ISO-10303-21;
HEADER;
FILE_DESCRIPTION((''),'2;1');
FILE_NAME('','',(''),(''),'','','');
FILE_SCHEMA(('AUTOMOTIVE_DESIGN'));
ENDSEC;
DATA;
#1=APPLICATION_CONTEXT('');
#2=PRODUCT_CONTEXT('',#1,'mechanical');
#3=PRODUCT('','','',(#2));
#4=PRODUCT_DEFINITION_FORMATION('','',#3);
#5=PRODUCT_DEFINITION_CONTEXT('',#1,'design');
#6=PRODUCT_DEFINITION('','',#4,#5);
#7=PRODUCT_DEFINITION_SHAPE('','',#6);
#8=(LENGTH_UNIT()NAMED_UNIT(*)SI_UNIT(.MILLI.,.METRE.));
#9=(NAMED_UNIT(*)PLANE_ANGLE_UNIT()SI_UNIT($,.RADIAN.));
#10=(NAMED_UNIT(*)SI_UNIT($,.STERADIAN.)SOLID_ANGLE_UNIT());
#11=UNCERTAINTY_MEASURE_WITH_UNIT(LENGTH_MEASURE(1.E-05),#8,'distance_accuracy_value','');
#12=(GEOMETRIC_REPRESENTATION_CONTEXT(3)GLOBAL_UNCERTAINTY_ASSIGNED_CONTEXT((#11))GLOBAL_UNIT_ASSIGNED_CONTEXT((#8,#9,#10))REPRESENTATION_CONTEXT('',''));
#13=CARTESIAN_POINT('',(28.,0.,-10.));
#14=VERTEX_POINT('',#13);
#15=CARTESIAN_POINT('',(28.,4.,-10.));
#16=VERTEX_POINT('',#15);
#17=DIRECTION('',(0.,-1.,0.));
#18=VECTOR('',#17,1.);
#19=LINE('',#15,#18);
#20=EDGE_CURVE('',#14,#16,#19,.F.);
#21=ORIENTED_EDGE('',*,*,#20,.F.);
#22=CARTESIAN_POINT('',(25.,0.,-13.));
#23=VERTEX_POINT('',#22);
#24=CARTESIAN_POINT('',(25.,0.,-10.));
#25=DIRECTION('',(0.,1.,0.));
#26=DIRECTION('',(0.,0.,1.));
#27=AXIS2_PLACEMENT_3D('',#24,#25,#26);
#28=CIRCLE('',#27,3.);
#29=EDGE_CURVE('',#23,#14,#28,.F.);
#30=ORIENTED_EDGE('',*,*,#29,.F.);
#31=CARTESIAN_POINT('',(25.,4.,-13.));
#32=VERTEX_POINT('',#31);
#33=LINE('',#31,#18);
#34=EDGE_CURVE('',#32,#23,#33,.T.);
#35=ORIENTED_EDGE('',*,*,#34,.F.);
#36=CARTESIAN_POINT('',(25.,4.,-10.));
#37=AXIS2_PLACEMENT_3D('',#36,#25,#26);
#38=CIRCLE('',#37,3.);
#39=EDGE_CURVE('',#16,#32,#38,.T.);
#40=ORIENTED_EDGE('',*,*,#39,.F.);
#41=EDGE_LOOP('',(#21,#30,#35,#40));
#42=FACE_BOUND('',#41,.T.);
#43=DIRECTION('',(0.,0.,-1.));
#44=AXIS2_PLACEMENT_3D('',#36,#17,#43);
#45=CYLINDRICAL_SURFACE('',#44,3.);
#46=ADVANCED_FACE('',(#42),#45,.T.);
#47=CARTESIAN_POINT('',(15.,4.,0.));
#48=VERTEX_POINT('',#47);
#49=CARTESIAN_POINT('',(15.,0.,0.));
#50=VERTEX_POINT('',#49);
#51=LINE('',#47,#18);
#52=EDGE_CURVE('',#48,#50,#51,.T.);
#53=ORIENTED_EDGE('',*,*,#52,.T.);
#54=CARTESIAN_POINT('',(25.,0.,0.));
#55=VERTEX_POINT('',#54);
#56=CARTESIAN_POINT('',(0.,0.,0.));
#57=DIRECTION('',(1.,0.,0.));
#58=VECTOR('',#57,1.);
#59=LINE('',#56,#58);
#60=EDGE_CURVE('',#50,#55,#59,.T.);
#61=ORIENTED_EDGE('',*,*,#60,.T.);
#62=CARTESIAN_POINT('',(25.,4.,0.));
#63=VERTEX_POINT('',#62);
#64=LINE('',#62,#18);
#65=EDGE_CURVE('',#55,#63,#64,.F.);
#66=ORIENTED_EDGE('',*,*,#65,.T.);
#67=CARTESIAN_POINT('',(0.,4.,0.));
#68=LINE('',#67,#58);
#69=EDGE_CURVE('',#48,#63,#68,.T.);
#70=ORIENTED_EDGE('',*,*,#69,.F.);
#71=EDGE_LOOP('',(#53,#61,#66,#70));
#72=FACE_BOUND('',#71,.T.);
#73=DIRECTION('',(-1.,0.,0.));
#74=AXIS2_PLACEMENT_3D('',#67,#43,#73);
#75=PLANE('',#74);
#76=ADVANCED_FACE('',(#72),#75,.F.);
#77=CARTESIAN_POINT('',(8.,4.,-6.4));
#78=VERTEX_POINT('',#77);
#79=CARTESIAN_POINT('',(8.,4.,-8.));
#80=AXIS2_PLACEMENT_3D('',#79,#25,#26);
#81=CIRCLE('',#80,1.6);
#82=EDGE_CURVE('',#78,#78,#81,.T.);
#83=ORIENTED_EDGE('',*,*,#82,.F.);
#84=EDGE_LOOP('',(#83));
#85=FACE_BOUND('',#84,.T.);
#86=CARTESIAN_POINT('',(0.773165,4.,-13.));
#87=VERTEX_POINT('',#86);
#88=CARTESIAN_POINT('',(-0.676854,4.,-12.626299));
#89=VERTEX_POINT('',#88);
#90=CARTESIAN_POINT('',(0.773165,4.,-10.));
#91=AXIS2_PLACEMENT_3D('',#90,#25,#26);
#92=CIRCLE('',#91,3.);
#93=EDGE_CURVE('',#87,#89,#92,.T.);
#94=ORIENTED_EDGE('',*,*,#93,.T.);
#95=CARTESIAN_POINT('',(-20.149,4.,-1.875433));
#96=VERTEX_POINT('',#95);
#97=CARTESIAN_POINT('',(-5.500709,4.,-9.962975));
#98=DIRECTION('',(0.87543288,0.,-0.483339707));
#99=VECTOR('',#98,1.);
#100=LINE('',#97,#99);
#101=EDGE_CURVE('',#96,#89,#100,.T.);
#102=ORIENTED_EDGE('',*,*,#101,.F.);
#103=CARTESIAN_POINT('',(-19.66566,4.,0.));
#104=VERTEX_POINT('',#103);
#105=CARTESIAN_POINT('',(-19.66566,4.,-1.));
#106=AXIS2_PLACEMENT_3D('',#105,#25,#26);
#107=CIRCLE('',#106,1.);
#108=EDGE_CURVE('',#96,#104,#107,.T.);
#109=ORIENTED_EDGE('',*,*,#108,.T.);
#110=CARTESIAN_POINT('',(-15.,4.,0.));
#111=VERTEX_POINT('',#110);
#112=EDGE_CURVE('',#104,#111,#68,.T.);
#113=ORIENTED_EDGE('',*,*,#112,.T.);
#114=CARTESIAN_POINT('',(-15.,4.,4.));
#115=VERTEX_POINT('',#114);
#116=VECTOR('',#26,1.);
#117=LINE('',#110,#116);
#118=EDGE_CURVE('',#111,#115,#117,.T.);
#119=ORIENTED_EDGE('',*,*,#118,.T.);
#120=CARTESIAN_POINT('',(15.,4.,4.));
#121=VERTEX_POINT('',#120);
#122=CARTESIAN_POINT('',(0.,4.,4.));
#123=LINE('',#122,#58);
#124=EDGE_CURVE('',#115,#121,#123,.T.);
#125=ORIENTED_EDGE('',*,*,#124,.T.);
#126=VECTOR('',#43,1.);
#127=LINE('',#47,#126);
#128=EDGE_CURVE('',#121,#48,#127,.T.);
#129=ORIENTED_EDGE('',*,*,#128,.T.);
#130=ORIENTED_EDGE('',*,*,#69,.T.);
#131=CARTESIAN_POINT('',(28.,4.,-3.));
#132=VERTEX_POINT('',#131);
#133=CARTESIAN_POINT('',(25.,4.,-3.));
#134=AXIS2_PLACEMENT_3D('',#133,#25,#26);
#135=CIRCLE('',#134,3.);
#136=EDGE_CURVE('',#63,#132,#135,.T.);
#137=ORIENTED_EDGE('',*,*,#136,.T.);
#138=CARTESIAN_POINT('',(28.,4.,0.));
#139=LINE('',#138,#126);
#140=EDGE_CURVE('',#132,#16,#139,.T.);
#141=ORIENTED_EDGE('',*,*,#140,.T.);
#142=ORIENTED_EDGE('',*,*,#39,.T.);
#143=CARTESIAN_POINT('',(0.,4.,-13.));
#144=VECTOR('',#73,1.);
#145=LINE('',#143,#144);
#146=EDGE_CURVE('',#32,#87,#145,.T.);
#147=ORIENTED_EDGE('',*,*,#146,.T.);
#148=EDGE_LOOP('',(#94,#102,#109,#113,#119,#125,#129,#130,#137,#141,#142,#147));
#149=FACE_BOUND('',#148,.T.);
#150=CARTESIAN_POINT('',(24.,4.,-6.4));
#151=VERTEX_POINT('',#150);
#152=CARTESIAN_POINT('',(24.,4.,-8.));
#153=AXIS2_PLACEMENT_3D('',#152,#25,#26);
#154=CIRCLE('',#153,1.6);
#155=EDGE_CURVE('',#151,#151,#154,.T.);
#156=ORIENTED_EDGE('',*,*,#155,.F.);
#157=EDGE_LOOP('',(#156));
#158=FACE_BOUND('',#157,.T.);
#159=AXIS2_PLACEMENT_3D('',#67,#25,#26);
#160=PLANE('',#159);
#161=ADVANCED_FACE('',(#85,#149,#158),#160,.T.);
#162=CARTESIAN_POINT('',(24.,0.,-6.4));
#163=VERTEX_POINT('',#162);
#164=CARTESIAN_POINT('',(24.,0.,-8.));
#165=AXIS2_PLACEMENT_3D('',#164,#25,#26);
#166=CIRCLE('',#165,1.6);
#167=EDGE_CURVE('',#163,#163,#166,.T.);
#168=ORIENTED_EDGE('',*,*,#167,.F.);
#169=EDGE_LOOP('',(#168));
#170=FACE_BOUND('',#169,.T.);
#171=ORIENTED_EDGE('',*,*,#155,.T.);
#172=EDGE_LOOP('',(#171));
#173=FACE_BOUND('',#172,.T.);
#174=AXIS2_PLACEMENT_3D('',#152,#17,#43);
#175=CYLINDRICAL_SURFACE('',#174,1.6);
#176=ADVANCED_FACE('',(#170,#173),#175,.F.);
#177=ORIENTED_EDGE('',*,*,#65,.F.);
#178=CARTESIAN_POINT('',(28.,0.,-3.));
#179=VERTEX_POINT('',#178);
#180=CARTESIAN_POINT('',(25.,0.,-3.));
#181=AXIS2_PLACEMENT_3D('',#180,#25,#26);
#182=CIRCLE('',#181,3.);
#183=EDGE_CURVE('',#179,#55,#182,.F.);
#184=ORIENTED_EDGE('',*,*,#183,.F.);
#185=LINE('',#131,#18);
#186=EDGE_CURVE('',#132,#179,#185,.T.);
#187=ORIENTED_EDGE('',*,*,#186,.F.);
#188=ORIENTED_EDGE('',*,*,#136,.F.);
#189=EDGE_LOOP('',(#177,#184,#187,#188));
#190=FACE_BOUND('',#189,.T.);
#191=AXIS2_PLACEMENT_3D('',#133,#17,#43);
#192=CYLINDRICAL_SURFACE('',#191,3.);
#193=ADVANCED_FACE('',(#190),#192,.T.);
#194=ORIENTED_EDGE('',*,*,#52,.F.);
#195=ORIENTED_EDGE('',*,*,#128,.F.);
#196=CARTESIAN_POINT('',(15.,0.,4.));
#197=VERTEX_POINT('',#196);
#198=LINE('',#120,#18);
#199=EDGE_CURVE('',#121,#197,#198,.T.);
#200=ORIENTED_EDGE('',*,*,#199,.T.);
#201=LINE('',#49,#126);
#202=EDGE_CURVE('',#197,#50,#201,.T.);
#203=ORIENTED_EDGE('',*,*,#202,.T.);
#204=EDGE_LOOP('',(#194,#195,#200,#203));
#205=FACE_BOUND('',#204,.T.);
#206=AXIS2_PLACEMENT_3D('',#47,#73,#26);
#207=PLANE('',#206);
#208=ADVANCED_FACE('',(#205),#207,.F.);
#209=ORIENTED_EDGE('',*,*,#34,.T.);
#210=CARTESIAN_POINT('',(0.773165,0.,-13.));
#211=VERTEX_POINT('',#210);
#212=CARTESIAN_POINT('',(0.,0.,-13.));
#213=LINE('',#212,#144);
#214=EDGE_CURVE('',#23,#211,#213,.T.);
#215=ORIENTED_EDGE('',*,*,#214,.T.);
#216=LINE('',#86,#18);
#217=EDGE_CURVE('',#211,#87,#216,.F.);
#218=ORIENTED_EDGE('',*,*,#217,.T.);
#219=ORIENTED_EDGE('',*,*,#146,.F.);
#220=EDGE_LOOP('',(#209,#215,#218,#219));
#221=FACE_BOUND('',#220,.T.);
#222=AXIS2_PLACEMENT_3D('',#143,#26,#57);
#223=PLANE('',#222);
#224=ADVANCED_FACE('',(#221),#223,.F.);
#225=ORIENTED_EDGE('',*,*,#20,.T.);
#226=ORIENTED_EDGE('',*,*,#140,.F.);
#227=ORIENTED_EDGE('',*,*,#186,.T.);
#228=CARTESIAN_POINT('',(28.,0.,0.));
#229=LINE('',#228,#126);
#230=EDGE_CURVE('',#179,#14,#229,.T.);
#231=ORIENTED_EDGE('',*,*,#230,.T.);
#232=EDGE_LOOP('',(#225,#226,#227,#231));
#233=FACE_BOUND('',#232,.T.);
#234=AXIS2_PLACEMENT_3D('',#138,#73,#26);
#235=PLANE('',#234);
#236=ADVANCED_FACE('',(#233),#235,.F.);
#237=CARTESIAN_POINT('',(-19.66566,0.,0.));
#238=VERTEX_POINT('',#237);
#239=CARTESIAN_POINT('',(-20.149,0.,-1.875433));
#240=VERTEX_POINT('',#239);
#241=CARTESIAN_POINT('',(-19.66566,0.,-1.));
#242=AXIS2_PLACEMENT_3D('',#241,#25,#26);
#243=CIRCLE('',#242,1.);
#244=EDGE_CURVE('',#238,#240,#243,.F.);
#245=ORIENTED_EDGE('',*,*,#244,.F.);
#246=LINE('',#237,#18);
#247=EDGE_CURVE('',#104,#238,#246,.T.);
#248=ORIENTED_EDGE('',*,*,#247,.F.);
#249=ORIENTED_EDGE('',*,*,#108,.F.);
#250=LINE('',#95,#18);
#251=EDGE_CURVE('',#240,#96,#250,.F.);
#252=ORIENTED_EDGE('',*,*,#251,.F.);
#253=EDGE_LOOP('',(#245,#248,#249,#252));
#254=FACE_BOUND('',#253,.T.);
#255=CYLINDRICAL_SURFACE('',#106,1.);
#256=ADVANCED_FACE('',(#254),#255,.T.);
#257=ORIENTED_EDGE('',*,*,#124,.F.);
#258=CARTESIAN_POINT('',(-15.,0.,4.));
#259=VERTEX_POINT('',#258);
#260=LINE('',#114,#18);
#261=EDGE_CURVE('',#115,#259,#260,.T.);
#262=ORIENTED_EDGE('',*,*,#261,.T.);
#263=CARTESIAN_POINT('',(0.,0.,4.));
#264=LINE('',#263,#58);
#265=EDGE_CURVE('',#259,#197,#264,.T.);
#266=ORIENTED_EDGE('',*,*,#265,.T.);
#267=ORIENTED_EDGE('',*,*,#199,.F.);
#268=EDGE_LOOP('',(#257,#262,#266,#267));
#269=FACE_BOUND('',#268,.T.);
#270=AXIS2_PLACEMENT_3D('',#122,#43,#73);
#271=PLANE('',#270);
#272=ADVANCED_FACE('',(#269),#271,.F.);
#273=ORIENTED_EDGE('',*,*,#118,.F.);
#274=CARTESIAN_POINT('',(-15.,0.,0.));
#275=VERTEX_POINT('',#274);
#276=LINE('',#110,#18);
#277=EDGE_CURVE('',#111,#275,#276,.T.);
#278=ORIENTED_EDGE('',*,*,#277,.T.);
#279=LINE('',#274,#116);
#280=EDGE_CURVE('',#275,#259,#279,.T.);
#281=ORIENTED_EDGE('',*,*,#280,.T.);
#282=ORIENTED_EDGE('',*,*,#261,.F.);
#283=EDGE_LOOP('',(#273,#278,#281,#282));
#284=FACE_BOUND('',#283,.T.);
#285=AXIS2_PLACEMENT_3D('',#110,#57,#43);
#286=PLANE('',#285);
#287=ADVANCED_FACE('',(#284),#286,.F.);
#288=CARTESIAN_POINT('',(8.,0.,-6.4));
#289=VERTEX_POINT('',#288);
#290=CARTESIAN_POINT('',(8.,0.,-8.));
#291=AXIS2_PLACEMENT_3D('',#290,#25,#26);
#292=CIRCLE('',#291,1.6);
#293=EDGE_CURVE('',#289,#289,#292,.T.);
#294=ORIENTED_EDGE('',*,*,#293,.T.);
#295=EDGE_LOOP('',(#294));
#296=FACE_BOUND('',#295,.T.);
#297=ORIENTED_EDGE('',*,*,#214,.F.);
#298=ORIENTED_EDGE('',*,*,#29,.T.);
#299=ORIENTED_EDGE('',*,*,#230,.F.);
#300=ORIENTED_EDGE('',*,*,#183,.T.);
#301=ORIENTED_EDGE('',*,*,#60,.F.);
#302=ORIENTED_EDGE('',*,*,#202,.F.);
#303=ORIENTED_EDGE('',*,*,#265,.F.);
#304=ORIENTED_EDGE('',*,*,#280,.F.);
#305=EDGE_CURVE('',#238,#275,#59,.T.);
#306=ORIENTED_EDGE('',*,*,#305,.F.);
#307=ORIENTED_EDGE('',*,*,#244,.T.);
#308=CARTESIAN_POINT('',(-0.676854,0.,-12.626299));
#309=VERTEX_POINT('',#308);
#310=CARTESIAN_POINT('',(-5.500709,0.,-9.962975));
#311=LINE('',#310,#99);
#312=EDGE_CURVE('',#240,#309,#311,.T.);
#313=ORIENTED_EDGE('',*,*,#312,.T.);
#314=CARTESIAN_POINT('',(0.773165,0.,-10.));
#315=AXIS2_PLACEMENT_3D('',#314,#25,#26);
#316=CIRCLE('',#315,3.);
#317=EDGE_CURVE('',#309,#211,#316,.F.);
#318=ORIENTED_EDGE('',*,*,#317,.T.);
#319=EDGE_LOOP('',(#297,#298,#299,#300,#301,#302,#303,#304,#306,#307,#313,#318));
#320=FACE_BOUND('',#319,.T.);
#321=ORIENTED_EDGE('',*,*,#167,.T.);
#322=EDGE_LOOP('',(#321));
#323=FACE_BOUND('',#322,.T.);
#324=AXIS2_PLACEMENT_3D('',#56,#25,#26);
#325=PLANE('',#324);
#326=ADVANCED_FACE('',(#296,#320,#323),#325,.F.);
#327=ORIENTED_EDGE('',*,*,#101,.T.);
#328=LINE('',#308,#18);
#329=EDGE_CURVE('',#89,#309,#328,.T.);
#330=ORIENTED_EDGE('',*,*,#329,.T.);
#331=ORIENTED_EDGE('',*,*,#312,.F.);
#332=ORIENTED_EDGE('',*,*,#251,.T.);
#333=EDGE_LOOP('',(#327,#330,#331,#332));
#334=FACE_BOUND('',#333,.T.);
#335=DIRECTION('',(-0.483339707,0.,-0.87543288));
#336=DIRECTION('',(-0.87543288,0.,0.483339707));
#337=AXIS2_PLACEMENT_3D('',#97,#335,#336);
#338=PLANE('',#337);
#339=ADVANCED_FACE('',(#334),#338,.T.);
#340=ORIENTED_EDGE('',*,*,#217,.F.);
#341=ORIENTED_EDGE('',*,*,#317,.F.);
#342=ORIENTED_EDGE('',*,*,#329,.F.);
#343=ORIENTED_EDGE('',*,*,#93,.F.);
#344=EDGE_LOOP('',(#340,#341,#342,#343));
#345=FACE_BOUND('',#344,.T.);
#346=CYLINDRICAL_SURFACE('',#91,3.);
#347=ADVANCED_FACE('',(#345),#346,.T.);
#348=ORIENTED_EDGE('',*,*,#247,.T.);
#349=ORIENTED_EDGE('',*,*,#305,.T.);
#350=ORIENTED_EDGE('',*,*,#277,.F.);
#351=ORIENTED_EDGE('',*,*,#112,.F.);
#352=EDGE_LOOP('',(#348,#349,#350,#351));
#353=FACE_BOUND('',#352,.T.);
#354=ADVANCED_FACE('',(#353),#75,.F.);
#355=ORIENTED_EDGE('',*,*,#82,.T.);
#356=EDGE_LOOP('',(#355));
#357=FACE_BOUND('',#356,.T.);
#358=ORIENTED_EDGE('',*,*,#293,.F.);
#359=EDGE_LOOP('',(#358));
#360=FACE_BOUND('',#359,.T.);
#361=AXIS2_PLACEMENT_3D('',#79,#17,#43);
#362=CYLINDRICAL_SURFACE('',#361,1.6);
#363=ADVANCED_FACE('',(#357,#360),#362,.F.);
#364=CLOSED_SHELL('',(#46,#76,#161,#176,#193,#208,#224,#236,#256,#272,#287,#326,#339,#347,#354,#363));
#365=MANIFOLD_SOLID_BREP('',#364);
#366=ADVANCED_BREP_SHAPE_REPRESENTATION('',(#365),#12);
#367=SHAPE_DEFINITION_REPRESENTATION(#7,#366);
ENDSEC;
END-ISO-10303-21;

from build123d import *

# Parameters (mm, degrees)
SKETCH_1_R      = 1.6
EXTRUDE_1_DEPTH = 4
FILLET_1_R      = 3
FILLET_2_R      = 1


with BuildPart() as part:
    # ｽｹｯﾁ1 → ﾎﾞｽ - 押し出し1 (new body)
    with BuildSketch(Plane(origin=(0, 0, 0), x_dir=(1, 0, 0), z_dir=(0, 1, 0))):
        Polygon((-15, -4), (0, -4), (15, -4), (15, 0), (28, 0), (28, 13), (0, 13), (-23.545815275, 0), (-15, 0), align=None)
        with Locations((8, 8)):
            Circle(SKETCH_1_R, mode=Mode.SUBTRACT)
        with Locations((24, 8)):
            Circle(SKETCH_1_R, mode=Mode.SUBTRACT)
    extrude(amount=EXTRUDE_1_DEPTH)

    # ﾌｨﾚｯﾄ1
    fillet_1_edges = [part.edges().sort_by_distance(p)[0] for p in [
        (0, 2, -13),
        (28, 2, -13),
        (28, 2, 0),
    ]]
    fillet(fillet_1_edges, radius=FILLET_1_R)

    # ﾌｨﾚｯﾄ2
    fillet_2_edges = [part.edges().sort_by_distance(p)[0] for p in [
        (-23.545815275, 2, 0),
    ]]
    fillet(fillet_2_edges, radius=FILLET_2_R)


solid = part.part
